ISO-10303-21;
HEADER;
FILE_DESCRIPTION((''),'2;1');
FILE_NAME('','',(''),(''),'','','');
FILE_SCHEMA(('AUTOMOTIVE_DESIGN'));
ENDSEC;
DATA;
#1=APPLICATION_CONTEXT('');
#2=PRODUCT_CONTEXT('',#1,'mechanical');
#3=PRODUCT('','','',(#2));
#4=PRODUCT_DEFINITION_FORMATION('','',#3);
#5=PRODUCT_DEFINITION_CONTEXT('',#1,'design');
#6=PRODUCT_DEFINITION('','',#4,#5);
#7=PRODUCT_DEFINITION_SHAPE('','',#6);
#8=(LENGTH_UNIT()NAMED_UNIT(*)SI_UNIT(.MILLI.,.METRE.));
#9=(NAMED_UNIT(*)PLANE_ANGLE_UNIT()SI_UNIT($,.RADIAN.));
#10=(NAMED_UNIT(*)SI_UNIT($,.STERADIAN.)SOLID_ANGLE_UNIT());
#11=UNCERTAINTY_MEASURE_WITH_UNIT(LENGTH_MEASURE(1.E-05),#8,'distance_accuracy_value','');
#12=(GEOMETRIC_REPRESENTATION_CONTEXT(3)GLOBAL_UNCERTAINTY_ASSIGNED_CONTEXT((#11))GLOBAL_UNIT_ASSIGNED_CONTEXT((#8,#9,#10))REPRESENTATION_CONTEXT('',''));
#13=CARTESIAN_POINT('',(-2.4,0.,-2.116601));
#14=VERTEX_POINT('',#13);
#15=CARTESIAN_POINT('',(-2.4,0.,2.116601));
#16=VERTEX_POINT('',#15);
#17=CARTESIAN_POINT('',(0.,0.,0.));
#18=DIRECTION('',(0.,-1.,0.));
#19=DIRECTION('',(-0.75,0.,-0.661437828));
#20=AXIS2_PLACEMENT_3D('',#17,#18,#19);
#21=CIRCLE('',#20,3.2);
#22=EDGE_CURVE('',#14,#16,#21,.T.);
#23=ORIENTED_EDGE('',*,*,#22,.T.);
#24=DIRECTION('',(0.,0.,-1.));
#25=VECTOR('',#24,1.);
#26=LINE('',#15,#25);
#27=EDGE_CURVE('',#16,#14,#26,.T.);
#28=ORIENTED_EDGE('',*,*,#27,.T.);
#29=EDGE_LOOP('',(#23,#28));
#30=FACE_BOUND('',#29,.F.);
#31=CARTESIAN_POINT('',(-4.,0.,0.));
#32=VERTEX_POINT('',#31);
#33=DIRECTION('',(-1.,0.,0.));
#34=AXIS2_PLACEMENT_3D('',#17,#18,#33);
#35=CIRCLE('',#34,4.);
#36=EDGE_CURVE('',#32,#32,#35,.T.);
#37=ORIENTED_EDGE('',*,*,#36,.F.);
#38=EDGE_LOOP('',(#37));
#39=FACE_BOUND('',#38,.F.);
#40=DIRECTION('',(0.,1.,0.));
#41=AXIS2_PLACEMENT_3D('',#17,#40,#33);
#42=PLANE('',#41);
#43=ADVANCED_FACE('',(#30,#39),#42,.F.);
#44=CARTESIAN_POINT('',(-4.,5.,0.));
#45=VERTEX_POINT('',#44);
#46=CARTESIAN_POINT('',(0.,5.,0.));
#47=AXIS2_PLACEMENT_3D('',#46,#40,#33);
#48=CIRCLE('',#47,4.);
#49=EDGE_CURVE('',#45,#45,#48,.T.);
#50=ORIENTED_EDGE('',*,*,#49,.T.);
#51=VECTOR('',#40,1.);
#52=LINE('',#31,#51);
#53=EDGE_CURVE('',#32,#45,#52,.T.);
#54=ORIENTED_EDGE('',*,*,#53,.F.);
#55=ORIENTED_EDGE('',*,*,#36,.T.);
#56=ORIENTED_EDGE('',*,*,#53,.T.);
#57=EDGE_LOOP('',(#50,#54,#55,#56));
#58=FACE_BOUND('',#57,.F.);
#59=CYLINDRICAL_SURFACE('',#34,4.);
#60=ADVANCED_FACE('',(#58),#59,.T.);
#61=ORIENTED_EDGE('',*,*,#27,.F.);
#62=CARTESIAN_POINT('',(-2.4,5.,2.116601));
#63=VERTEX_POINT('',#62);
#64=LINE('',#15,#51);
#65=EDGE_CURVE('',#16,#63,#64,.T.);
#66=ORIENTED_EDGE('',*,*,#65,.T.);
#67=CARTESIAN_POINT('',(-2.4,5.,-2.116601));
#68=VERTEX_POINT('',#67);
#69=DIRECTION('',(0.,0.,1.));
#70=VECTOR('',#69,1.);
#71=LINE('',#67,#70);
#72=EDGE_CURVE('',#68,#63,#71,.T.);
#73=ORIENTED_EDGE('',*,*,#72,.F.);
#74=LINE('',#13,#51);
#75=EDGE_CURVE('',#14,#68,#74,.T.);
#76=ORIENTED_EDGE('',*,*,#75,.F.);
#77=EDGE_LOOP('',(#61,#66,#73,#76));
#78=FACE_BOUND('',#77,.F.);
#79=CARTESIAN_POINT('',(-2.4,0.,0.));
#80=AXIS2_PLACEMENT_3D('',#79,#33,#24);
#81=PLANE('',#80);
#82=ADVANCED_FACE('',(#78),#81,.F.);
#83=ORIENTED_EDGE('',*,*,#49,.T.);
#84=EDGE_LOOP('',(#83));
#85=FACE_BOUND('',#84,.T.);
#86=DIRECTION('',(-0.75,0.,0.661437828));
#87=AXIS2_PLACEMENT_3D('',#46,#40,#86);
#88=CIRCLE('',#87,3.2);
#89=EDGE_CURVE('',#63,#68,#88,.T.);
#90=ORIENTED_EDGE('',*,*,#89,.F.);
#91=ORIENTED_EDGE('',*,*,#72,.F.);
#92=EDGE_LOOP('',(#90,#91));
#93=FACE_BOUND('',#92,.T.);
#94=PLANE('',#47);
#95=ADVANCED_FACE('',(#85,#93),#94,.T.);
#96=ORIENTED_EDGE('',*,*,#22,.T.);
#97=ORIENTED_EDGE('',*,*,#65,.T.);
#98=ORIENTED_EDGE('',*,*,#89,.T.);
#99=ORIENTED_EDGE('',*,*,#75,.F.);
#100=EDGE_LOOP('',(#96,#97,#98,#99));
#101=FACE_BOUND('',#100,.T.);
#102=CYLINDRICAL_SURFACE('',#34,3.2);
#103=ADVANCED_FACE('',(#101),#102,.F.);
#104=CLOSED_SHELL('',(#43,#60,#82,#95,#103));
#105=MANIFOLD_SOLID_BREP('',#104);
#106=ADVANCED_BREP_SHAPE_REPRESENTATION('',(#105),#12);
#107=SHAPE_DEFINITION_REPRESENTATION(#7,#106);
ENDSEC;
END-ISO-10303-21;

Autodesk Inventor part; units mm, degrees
ref_plane "YZ Plane" through (0, 0, 0) normal (1, 0, 0) x (0, 1, 0)
ref_plane "XZ Plane" through (0, 0, 0) normal (0, 1, 0) x (-1, 0, 0)
ref_plane "XY Plane" through (0, 0, 0) normal (0, 0, 1) x (1, 0, 0)
sketch "Boceto1" plane through (0, 0, 0) normal (0, 1, 0) x (-1, 0, 0)
  circle A0 centre (0, 0) radius 3.2
  circle A1 centre (0, 0) radius 4
  line L0 (-3.2, 0) -> (2.4, 0)
  line L1 (2.4, 0) -> (2.4, -4.5231)
  line L2 (2.4, -4.5231) -> (2.4, 4.5638)
  point P0 (2.4, -2.1166)
  point P1 (2.4, 2.1166)
  dimension "d0" = 6.4
  dimension "d1" = 8
  dimension "d2" = 5.6
extrude "Extrusión1" add sketch "Boceto1" along normal blind 5 contours A0 L1 L2 | A0 L2 A1 L1 | A0 L1 A1 L2
properties part number "Prueba"
